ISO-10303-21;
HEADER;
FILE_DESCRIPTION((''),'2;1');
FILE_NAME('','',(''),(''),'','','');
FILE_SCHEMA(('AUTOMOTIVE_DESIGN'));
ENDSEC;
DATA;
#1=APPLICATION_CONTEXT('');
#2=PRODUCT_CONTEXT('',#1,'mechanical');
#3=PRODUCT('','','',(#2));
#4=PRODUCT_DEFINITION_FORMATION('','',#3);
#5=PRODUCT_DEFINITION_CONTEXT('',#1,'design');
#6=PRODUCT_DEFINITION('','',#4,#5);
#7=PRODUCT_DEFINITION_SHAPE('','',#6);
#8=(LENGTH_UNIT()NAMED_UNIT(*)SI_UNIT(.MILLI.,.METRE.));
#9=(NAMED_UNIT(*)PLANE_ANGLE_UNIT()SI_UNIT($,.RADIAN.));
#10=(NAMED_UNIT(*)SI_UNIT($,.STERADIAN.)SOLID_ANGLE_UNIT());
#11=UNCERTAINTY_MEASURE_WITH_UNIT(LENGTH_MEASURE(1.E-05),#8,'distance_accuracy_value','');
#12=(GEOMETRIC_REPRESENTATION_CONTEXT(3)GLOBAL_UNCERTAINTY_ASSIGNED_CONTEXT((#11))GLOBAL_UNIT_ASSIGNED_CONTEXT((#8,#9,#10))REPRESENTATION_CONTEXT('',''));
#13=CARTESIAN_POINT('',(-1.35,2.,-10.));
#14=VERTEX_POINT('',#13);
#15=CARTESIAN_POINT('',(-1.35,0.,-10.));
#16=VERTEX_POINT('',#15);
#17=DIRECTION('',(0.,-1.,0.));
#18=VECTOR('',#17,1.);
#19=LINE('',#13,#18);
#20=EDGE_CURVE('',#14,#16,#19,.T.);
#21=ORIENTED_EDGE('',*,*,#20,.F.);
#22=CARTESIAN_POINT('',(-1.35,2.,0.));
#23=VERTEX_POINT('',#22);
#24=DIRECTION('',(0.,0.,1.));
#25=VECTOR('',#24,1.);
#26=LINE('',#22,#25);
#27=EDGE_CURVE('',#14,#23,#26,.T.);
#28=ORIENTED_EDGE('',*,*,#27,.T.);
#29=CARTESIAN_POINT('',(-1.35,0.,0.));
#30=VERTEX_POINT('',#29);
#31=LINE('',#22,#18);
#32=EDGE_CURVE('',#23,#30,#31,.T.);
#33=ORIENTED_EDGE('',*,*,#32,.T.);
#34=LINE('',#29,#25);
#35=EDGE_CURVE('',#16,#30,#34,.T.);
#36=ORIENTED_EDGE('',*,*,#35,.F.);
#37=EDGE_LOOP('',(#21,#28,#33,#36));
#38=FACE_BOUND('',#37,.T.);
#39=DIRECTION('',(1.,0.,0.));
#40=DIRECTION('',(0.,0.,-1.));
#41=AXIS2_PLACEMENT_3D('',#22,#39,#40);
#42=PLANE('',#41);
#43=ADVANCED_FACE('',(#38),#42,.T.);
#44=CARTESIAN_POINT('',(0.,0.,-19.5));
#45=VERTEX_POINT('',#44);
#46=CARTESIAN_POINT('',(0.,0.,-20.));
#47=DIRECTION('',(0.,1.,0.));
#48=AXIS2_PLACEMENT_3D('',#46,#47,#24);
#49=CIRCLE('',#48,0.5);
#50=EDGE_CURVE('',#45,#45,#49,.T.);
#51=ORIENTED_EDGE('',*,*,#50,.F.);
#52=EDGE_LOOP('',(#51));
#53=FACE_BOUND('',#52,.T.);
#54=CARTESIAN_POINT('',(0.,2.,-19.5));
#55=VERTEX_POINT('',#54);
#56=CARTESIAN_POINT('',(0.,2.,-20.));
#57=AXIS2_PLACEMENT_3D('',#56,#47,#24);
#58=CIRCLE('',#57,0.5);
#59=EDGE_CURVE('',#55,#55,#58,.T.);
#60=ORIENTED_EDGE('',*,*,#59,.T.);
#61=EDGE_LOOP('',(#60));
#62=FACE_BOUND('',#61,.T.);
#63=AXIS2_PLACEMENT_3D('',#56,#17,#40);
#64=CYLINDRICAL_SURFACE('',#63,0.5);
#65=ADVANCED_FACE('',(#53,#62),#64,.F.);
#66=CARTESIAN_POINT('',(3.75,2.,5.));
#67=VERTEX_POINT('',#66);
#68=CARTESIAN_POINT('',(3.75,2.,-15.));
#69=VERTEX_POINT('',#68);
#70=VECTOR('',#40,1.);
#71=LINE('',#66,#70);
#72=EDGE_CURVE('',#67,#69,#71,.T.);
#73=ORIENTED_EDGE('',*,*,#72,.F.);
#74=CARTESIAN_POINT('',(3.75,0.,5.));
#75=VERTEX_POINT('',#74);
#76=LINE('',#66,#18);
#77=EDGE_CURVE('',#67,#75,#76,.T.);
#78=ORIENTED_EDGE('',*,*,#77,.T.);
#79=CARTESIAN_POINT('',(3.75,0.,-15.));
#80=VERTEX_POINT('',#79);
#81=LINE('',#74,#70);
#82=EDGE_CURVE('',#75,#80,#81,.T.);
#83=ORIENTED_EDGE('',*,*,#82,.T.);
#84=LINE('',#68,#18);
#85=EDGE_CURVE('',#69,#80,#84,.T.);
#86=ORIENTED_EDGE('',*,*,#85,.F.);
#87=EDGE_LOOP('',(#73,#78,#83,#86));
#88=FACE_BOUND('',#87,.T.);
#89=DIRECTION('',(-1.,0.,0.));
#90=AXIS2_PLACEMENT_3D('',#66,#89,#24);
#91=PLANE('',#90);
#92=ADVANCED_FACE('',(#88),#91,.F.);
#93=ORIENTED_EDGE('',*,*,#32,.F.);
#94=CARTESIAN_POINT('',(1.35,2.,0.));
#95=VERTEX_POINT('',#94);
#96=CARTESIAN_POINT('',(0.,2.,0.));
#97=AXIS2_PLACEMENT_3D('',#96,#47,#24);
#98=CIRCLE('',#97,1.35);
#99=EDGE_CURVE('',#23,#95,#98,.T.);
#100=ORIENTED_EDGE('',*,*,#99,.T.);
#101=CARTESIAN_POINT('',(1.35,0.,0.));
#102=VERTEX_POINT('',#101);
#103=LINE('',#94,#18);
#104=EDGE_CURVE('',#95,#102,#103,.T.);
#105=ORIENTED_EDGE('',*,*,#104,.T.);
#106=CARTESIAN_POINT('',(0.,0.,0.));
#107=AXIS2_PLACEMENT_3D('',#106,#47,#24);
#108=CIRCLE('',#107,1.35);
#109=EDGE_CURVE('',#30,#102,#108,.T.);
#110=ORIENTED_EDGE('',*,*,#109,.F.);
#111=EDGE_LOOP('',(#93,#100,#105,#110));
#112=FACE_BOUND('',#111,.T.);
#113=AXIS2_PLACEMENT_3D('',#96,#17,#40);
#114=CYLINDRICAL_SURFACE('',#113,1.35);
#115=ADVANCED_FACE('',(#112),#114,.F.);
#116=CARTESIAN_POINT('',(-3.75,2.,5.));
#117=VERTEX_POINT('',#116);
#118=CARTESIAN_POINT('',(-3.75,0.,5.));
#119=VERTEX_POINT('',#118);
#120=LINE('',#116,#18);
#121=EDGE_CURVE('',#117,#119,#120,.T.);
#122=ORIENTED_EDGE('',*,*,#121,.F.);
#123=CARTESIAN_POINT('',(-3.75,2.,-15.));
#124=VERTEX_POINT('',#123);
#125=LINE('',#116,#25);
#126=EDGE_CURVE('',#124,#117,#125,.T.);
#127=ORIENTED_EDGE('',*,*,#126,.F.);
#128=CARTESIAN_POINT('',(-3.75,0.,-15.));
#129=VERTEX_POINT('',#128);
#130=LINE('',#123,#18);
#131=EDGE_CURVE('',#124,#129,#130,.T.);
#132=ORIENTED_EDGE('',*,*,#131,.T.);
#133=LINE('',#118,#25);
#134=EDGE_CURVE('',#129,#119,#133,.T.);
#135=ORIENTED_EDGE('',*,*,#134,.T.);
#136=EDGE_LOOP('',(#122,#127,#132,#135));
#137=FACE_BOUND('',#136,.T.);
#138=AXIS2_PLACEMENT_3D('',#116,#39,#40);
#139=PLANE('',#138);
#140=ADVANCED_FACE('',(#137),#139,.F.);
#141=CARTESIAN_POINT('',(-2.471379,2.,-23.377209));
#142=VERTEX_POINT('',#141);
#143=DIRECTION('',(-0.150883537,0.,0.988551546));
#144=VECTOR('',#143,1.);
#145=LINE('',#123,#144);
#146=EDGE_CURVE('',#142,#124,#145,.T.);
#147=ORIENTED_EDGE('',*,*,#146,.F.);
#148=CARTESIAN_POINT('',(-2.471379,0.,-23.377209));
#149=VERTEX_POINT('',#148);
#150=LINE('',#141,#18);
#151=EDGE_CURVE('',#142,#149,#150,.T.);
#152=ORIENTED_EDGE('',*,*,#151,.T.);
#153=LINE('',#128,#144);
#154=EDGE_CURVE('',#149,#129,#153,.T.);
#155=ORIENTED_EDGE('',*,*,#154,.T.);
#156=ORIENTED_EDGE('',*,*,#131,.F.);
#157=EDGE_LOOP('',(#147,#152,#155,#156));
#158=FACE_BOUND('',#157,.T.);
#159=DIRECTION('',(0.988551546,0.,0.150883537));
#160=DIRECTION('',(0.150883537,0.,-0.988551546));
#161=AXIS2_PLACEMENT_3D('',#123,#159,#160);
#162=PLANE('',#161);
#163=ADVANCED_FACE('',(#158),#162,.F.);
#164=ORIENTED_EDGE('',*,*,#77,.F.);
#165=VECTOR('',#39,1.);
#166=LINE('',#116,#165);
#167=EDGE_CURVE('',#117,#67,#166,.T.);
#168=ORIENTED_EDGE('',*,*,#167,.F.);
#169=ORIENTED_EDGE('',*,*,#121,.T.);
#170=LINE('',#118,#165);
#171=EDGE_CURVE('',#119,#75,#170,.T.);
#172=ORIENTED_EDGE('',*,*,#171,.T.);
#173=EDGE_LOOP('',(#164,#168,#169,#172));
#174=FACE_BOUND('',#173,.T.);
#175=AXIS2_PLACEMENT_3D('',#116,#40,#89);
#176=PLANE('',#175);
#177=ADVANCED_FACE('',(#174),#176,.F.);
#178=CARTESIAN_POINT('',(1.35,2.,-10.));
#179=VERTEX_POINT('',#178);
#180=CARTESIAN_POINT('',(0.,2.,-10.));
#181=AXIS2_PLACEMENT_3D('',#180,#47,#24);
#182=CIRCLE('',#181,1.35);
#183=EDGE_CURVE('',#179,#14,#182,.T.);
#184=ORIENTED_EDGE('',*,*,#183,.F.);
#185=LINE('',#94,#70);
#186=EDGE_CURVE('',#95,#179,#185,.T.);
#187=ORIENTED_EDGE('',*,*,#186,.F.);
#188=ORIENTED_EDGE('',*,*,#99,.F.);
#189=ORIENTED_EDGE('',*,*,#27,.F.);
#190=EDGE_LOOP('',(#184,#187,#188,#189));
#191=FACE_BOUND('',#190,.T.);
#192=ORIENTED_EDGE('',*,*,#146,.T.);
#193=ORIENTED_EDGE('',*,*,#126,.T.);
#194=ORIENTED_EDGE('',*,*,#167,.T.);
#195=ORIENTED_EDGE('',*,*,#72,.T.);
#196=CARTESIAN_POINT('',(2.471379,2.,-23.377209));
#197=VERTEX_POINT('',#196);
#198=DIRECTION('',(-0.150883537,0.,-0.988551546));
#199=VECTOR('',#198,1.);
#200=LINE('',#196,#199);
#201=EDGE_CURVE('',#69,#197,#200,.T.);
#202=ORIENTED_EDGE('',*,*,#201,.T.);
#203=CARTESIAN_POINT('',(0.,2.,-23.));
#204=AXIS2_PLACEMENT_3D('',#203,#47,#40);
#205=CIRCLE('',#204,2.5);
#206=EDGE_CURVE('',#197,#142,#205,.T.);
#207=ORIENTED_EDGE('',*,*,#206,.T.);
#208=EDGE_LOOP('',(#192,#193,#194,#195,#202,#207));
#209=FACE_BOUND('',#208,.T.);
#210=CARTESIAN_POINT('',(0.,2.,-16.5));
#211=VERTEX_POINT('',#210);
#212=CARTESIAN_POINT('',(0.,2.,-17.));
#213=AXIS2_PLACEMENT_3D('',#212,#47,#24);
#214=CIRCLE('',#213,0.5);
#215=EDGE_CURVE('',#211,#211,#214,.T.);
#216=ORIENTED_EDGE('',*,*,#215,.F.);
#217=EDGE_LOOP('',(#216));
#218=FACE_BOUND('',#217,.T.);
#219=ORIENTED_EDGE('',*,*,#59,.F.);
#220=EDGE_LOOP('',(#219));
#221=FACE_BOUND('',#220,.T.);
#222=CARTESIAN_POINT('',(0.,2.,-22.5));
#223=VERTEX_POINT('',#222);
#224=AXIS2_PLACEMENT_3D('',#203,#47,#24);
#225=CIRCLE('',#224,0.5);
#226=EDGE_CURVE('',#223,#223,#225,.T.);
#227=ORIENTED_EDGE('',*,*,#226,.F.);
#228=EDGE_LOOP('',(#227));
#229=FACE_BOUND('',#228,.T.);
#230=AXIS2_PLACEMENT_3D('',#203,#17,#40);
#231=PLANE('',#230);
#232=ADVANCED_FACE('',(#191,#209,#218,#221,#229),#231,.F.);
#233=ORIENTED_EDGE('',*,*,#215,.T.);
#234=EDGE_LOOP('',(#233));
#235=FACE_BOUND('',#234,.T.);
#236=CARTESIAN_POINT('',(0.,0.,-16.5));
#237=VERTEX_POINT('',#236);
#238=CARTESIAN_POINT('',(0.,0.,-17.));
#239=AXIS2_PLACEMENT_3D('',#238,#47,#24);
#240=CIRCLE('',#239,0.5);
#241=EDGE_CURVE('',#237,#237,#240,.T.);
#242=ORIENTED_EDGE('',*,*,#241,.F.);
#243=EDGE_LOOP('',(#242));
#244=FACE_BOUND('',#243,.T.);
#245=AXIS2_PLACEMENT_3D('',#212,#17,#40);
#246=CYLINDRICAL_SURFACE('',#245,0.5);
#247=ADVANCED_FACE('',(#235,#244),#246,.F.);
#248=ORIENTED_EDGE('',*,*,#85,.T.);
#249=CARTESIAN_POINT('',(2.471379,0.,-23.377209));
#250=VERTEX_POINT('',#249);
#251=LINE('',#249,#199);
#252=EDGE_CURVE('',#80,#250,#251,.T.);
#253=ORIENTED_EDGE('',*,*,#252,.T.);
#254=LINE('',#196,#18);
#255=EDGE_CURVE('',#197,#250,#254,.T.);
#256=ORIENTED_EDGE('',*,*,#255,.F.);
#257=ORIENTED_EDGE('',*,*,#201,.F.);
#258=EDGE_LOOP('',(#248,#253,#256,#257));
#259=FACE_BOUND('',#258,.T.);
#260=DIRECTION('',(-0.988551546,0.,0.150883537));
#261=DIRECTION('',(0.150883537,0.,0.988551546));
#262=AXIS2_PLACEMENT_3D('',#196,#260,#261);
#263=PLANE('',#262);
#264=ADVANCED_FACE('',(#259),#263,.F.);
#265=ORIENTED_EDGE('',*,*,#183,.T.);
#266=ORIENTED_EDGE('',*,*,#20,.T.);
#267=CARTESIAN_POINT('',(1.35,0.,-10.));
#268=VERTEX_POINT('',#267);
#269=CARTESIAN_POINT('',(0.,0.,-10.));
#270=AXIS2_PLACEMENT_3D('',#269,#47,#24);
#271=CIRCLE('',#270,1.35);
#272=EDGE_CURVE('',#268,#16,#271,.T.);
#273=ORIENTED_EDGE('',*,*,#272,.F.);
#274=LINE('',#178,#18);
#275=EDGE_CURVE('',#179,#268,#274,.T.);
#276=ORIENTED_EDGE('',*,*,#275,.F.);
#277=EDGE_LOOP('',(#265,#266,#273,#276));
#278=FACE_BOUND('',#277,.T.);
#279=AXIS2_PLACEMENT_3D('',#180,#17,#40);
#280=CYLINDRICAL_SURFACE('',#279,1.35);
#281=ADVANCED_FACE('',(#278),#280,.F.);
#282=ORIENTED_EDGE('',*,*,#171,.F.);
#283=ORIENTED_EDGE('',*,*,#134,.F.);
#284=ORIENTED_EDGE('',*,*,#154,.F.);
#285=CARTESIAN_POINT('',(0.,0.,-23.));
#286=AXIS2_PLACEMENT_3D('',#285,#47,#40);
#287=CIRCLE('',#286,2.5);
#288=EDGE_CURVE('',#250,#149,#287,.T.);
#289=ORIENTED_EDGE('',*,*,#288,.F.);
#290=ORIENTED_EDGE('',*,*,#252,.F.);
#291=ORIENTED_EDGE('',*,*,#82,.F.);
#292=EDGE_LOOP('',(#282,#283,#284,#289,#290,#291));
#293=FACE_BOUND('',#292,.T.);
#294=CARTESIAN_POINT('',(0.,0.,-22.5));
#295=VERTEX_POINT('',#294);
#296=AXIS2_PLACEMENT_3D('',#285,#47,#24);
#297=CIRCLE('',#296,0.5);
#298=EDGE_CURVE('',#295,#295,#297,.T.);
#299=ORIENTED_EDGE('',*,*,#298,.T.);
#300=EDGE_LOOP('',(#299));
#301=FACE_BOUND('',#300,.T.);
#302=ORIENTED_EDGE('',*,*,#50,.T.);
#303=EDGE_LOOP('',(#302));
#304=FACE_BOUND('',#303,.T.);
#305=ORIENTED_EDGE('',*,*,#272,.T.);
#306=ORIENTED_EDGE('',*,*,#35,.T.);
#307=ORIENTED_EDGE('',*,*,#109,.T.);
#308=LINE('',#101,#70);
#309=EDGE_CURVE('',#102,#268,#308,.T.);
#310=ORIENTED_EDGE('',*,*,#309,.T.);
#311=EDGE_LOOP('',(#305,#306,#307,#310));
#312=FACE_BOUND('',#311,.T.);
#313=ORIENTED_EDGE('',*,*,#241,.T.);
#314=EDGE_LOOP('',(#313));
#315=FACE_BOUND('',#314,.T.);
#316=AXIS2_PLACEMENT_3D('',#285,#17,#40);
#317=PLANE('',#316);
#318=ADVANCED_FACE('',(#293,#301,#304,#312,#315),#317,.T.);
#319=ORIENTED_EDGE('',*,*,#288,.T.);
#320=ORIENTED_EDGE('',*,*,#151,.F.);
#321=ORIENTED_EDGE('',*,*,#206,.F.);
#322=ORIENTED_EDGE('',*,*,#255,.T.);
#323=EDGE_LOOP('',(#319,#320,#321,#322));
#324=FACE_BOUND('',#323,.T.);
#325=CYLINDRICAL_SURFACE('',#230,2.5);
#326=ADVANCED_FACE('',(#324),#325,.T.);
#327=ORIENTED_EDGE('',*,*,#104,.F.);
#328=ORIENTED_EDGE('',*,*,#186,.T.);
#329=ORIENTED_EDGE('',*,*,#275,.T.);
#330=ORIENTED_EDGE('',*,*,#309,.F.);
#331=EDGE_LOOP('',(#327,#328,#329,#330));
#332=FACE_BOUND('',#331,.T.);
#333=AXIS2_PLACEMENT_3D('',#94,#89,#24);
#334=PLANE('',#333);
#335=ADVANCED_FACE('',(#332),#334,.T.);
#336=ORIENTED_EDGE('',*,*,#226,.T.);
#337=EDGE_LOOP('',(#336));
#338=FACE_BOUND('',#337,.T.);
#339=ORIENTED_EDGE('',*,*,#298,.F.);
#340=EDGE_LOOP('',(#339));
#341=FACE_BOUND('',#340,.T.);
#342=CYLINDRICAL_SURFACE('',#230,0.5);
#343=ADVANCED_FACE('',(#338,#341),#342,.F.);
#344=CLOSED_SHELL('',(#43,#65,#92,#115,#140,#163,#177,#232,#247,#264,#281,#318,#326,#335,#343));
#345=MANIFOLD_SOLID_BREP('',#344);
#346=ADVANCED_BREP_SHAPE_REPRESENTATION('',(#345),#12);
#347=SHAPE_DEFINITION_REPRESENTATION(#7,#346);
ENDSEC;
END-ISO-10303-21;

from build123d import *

# Parameters (mm, degrees)
ESQUISSE1_R        = 0.5
BOSS_EXTRU_4_DEPTH = 2


with BuildPart() as part:
    # Esquisse1 → Boss.-Extru.4 (new body)
    with BuildSketch(Plane(origin=(0, 0, 0), x_dir=(1, 0, 0), z_dir=(0, 1, 0))):
        with BuildLine():
            Line((-3.75, 15), (-2.471378864, 23.377208842))
            ThreePointArc((-2.471378864, 23.377208842), (0, 25.5), (2.471378864, 23.377208842))
            Line((2.471378864, 23.377208842), (3.75, 15))
            Line((3.75, 15), (3.75, -5))
            Line((3.75, -5), (-3.75, -5))
            Line((-3.75, -5), (-3.75, 15))
        make_face()
        with Locations(Location((0, 23, 0), (0, 0, 270))):
            Circle(ESQUISSE1_R, mode=Mode.SUBTRACT)
        with Locations(Location((0, 20, 0), (0, 0, 270))):
            Circle(ESQUISSE1_R, mode=Mode.SUBTRACT)
        with Locations(Location((0, 17, 0), (0, 0, 270))):
            Circle(ESQUISSE1_R, mode=Mode.SUBTRACT)
        with BuildLine():
            Line((-1.35, 0), (-1.35, 10))
            ThreePointArc((-1.35, 10), (0, 11.35), (1.35, 10))
            Line((1.35, 10), (1.35, 0))
            ThreePointArc((1.35, 0), (0, -1.35), (-1.35, 0))
        make_face(mode=Mode.SUBTRACT)
    extrude(amount=BOSS_EXTRU_4_DEPTH)


solid = part.part
